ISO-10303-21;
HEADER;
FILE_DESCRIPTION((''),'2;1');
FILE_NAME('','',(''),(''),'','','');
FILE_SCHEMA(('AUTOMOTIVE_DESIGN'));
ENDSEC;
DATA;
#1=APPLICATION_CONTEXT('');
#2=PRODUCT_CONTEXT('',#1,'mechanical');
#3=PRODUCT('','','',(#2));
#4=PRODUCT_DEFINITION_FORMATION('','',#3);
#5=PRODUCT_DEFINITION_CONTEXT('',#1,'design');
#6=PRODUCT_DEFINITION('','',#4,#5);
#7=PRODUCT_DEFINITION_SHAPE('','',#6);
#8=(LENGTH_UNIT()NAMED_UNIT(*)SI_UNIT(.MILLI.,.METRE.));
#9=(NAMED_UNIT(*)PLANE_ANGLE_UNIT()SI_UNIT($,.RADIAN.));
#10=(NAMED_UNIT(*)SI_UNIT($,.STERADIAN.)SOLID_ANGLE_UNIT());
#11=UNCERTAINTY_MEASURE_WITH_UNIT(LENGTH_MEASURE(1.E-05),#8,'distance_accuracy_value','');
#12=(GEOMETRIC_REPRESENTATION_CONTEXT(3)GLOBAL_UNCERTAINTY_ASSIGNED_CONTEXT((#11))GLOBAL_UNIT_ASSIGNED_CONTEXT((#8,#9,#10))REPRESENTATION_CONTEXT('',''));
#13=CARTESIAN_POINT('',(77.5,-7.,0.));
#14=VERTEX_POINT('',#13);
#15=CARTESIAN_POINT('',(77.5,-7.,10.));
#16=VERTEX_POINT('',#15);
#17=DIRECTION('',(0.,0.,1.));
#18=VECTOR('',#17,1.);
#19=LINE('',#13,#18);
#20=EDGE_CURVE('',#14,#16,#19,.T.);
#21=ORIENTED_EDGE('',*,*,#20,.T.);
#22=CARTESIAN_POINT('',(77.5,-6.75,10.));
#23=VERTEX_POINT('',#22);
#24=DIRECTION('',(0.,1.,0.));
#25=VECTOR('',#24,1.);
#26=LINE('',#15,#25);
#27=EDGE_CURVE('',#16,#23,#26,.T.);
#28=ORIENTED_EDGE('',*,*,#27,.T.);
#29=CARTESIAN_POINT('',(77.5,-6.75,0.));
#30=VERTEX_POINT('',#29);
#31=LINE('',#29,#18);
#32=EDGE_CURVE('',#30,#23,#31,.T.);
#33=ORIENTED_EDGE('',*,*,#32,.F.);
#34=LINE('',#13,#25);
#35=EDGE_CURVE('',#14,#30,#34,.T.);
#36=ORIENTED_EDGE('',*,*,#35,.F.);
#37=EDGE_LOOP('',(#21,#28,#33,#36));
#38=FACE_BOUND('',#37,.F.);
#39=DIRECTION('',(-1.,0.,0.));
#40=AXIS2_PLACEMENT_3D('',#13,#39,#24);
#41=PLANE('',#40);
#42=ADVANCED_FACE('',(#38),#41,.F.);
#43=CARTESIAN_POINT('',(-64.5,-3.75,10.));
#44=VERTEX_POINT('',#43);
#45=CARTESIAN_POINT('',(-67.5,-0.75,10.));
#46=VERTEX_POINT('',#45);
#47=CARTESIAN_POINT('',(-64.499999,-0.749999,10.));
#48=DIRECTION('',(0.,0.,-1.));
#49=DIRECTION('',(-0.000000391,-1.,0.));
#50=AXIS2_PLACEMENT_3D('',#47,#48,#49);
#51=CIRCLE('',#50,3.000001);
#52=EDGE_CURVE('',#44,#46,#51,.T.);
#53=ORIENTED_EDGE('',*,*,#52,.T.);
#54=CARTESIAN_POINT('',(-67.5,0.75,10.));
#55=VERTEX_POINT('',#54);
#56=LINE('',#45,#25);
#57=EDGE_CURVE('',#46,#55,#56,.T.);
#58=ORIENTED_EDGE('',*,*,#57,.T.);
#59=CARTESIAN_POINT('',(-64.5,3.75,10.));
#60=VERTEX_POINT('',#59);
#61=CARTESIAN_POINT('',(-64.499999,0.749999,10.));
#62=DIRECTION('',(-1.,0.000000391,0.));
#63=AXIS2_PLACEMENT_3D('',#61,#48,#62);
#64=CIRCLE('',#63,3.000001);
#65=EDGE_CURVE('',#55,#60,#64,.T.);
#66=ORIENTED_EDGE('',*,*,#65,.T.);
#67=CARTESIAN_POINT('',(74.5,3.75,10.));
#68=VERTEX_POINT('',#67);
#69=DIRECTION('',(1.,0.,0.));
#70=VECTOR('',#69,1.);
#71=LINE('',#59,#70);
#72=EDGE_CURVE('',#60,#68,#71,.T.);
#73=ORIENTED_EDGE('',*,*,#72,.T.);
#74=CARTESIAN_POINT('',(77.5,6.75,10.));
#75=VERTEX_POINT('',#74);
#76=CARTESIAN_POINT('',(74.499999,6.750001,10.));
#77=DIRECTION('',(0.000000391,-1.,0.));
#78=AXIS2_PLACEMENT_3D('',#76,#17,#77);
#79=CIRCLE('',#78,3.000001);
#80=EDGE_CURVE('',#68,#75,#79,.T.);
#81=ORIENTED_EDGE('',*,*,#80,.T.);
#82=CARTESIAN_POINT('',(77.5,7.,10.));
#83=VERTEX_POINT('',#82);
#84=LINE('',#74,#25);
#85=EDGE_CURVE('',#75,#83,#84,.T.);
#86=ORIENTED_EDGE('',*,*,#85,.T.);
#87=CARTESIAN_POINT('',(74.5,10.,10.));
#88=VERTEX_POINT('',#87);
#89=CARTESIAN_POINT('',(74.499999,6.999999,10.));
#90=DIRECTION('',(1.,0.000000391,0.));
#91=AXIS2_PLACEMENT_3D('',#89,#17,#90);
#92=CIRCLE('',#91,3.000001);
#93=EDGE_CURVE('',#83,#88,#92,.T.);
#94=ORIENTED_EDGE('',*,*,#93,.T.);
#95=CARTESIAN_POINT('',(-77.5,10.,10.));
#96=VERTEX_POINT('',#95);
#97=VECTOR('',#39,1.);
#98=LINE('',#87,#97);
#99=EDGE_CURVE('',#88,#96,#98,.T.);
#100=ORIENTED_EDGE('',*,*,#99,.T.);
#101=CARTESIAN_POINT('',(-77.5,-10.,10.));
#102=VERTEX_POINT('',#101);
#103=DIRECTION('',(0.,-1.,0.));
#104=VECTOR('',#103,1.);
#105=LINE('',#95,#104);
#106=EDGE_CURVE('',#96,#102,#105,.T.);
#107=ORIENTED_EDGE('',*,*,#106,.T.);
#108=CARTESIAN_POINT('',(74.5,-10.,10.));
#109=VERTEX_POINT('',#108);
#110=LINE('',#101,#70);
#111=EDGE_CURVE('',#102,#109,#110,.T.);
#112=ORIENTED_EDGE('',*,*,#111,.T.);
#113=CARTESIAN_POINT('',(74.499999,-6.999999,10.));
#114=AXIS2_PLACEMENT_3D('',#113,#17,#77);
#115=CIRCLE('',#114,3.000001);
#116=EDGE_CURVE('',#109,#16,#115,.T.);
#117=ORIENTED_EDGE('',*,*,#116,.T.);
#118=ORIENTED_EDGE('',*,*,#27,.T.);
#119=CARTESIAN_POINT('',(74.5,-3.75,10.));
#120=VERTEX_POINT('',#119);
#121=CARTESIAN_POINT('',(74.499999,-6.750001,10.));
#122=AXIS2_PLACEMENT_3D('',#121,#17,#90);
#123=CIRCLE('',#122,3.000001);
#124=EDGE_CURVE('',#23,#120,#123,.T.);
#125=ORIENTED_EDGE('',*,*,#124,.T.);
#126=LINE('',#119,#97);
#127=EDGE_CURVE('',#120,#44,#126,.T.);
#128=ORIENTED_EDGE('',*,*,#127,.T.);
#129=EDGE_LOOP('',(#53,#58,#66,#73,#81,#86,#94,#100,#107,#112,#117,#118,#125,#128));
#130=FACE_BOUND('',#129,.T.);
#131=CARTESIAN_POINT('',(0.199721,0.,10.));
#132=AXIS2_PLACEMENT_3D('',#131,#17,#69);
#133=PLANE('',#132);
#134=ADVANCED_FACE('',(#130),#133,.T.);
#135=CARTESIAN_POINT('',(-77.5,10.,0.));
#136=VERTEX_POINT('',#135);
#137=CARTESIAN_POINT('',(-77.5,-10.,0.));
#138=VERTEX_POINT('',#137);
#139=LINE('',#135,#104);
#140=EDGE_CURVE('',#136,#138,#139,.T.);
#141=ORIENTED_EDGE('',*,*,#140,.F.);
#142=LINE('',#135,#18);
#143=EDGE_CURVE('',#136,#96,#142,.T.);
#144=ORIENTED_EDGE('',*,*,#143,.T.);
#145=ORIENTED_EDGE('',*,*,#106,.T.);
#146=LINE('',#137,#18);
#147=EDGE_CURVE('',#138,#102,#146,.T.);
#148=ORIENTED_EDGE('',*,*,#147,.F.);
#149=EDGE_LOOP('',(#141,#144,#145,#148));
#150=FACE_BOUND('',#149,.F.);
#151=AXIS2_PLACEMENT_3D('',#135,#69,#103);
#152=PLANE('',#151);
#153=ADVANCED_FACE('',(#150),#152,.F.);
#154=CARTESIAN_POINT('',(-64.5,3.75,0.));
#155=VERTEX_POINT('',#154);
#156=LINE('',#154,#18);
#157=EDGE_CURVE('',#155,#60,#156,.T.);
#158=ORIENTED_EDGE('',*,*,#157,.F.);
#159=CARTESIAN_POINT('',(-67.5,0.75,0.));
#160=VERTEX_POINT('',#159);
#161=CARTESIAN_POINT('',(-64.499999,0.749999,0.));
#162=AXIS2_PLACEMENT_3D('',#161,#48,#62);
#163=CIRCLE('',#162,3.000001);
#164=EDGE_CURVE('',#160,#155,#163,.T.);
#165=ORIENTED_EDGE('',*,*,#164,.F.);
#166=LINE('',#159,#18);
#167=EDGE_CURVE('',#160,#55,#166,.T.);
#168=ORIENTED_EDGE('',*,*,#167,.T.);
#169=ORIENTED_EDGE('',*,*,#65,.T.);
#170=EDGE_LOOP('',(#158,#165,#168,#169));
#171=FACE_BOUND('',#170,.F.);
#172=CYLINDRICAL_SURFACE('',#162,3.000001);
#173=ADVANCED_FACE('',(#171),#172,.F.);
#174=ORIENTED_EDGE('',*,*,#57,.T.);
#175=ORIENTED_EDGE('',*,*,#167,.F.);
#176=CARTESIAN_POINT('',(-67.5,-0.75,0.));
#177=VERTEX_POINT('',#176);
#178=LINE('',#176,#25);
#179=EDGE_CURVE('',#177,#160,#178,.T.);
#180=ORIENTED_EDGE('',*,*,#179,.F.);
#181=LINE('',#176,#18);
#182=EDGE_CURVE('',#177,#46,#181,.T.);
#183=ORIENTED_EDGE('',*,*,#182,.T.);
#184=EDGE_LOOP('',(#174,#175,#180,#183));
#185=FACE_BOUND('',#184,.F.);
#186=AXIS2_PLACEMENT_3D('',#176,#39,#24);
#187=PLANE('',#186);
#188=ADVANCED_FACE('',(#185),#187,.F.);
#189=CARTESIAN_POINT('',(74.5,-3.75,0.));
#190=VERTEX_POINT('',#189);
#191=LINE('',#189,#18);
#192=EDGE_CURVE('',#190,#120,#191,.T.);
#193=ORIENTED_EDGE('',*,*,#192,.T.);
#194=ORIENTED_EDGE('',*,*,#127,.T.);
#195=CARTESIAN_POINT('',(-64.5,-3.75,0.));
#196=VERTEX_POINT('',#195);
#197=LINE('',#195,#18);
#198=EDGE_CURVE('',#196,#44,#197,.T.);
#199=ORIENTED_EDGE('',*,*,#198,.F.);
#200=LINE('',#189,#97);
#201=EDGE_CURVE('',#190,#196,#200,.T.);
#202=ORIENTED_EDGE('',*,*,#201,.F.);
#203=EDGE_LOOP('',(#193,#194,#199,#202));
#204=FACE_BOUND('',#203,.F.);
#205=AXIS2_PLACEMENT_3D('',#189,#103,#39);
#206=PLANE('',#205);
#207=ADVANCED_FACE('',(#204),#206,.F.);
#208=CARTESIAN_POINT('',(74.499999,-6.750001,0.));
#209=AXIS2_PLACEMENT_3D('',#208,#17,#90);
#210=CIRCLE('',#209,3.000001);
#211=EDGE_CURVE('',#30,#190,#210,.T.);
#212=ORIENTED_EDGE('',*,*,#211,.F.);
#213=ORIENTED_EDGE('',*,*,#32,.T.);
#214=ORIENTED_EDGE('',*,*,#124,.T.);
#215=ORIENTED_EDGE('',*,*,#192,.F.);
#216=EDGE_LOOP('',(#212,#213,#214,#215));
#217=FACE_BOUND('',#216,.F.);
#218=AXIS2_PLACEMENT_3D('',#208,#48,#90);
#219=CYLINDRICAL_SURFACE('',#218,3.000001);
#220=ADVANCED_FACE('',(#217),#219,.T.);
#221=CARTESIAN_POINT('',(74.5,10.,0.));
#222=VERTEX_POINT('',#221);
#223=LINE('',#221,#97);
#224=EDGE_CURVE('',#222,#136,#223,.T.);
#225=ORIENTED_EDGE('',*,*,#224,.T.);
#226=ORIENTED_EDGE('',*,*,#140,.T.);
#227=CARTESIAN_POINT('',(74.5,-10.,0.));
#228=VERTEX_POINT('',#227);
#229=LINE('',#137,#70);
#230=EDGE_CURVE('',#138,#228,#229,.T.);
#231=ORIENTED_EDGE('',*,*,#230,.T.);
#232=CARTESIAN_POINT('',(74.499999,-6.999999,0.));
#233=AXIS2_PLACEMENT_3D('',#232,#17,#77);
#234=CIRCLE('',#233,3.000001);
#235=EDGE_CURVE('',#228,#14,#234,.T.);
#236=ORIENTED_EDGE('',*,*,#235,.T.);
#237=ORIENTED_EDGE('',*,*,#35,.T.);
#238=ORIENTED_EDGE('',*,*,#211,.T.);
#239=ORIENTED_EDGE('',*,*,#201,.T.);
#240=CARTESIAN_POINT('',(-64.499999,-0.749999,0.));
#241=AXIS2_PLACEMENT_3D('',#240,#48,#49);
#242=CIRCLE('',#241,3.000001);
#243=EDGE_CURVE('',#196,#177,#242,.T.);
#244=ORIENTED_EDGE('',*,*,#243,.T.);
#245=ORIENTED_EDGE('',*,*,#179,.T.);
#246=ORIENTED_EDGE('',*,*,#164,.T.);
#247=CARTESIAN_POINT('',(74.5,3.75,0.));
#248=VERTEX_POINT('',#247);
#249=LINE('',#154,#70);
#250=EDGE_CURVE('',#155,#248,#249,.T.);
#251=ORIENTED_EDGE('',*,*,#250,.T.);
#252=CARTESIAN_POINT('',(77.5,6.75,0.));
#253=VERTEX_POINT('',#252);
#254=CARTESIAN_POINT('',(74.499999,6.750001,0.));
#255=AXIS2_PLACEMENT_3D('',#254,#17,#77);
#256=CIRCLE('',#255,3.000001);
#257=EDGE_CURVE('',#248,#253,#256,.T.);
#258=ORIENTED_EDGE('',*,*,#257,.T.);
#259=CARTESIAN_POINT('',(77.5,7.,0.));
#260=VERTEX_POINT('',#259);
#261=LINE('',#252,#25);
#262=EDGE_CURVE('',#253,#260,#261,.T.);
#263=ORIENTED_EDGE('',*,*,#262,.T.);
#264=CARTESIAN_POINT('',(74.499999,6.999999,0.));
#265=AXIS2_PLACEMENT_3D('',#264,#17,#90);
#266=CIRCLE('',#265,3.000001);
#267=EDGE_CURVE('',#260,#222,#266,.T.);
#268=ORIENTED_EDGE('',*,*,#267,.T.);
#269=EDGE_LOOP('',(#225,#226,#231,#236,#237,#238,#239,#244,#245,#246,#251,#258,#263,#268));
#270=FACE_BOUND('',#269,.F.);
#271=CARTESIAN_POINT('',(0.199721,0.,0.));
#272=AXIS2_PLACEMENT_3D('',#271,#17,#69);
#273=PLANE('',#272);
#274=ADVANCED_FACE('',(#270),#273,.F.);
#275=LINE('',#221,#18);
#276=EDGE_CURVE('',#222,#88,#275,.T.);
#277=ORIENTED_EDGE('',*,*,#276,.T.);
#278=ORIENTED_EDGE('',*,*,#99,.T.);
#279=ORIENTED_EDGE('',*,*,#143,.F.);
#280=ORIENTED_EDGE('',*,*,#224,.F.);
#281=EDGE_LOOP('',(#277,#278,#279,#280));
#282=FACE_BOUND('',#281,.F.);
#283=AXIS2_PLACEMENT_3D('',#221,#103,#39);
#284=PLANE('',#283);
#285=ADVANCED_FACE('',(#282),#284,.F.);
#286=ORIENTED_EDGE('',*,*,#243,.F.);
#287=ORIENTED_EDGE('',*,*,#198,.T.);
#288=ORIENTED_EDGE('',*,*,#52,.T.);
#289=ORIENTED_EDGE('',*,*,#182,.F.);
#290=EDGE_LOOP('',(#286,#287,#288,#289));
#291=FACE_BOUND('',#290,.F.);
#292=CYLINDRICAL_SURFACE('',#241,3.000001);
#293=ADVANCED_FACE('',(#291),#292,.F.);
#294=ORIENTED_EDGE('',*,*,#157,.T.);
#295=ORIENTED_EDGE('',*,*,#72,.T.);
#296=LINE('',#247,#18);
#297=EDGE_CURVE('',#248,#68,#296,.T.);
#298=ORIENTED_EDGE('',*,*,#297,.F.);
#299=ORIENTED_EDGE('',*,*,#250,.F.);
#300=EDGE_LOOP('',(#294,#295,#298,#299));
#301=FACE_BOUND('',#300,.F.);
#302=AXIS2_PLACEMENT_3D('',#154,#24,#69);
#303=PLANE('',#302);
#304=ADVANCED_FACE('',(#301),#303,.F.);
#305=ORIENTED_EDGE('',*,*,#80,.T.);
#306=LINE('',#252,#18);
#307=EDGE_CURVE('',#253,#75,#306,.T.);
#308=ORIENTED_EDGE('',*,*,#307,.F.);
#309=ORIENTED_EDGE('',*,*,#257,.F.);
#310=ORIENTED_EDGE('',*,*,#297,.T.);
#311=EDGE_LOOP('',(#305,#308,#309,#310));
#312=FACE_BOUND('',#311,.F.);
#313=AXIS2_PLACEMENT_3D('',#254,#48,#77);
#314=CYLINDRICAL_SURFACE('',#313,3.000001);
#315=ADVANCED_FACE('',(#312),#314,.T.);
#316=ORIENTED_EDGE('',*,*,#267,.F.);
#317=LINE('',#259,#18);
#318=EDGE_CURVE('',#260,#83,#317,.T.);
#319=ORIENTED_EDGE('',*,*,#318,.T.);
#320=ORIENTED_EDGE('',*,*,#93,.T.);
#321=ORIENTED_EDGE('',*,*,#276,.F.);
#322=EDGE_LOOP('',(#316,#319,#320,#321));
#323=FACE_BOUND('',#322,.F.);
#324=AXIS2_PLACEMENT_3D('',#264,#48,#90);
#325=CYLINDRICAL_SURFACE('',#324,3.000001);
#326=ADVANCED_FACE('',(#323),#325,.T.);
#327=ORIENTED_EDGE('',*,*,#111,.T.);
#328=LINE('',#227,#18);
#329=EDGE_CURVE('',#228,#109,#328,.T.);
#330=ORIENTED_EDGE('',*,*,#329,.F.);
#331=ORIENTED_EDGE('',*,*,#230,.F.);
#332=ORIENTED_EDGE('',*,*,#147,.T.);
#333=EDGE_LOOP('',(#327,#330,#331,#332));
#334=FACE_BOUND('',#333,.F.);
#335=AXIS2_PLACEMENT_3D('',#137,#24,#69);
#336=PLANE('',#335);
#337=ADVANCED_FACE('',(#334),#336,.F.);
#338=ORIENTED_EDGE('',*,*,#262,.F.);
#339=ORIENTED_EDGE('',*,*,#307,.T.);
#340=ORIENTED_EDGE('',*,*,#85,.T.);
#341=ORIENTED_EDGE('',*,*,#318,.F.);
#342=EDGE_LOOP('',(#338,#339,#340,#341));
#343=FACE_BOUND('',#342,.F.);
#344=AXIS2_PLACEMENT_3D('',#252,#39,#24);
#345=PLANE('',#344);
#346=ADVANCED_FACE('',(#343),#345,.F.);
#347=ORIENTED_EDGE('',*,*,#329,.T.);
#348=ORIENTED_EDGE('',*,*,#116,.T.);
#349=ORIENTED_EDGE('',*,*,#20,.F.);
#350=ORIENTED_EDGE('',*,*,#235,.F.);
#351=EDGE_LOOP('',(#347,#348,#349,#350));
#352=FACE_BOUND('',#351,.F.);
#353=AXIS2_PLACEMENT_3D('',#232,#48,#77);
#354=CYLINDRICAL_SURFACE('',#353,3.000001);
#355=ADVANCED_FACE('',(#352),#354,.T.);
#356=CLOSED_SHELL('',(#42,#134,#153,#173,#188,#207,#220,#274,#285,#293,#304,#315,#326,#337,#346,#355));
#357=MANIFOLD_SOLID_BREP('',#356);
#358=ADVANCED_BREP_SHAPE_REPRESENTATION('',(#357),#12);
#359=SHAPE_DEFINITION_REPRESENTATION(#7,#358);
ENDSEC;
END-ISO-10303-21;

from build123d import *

# Parameters (mm, degrees)
F1_DEPTH = 10


with BuildPart() as f1:
    # F0 (on Top) → F1 (new body)
    with BuildSketch(Plane.XY):
        with BuildLine():
            Line((-77.5, -10), (74.5, -10))
            ThreePointArc((74.5, -10), (76.62132, -9.12132), (77.5, -7))
            Line((77.5, -7), (77.5, -6.75))
            ThreePointArc((77.5, -6.75), (76.62132, -4.62868), (74.5, -3.75))
            Line((74.5, -3.75), (-64.5, -3.75))
            ThreePointArc((-64.5, -3.75), (-66.62132, -2.87132), (-67.5, -0.75))
            Line((-67.5, -0.75), (-67.5, 0.75))
            ThreePointArc((-67.5, 0.75), (-66.62132, 2.87132), (-64.5, 3.75))
            Line((-64.5, 3.75), (74.5, 3.75))
            ThreePointArc((74.5, 3.75), (76.62132, 4.62868), (77.5, 6.75))
            Line((77.5, 6.75), (77.5, 7))
            ThreePointArc((77.5, 7), (76.62132, 9.12132), (74.5, 10))
            Line((74.5, 10), (-77.5, 10))
            Line((-77.5, 10), (-77.5, -10))
        make_face()
    extrude(amount=F1_DEPTH)


solid = f1.part
